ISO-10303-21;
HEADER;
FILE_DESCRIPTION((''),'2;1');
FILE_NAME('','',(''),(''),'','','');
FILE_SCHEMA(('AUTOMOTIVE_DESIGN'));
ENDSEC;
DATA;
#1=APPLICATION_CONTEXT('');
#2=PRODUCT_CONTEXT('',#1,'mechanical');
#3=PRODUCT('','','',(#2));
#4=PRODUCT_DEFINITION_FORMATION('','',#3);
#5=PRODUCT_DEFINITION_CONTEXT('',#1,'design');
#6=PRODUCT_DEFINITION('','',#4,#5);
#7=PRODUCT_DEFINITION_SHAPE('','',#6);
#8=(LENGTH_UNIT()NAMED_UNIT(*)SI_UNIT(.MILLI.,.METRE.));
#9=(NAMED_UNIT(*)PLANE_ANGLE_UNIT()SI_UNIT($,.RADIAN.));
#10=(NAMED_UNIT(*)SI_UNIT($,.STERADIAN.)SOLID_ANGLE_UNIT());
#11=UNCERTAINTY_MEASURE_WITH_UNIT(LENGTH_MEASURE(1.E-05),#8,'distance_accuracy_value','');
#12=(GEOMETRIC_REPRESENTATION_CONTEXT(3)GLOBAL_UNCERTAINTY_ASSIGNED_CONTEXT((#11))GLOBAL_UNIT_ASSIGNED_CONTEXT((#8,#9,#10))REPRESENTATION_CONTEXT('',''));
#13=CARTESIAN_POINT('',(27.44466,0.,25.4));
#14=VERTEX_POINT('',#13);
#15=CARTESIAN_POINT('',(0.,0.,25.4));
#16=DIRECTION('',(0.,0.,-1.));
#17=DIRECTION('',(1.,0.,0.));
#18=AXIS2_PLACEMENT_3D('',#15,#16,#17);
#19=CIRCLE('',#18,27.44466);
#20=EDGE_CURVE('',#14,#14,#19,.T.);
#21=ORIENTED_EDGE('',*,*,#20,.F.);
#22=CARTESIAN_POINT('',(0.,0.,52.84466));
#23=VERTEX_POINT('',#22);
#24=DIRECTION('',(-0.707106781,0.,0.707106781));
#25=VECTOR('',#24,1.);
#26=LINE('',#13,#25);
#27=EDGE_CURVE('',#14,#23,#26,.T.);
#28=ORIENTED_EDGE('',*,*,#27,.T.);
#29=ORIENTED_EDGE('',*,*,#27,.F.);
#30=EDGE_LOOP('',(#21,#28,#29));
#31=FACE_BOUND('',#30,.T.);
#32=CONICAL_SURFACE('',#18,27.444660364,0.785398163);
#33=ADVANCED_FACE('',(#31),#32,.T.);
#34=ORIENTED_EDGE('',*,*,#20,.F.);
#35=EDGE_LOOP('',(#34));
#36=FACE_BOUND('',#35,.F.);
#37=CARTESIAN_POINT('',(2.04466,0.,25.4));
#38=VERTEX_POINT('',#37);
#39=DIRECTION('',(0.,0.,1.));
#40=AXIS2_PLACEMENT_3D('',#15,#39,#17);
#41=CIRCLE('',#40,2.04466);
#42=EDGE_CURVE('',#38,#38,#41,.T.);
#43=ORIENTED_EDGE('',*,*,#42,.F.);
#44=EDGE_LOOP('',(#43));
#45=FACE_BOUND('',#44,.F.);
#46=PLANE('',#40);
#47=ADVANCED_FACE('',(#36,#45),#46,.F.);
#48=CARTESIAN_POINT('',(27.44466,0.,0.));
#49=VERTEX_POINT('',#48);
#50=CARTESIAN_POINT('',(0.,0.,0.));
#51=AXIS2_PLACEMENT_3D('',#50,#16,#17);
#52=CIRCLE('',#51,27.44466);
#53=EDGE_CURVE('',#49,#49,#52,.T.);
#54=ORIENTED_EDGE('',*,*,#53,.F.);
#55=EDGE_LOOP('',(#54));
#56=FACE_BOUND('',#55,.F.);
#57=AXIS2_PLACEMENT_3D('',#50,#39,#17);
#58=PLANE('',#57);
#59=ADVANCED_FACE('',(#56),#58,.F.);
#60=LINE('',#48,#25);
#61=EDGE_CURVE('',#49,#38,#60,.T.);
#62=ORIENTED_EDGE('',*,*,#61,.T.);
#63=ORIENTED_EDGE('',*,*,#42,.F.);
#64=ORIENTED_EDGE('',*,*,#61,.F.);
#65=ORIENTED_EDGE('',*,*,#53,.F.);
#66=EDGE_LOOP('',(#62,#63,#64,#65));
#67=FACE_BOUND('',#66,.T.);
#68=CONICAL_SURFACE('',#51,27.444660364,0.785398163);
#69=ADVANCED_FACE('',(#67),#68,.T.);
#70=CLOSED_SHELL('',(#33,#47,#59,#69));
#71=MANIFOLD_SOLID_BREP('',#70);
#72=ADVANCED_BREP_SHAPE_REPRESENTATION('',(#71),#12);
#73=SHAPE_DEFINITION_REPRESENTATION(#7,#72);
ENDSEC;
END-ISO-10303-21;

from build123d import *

# Parameters (mm, degrees)
F0_R     = 27.4446603643
F1_DEPTH = 30
F1_TAPER = 45
F3_R     = 27.4446603643
F4_DEPTH = 30
F4_TAPER = 45


with BuildPart() as f1:
    # F0 (on Top) → F1 (new body)
    with BuildSketch(Plane.XY):
        Circle(F0_R)
    extrude(amount=F1_DEPTH, taper=F1_TAPER)

    # F3 (on offset) → F4 (join)
    with BuildSketch(Plane.XY.offset(25.4)):
        Circle(F3_R)
    extrude(amount=F4_DEPTH, taper=F4_TAPER)


solid = f1.part
